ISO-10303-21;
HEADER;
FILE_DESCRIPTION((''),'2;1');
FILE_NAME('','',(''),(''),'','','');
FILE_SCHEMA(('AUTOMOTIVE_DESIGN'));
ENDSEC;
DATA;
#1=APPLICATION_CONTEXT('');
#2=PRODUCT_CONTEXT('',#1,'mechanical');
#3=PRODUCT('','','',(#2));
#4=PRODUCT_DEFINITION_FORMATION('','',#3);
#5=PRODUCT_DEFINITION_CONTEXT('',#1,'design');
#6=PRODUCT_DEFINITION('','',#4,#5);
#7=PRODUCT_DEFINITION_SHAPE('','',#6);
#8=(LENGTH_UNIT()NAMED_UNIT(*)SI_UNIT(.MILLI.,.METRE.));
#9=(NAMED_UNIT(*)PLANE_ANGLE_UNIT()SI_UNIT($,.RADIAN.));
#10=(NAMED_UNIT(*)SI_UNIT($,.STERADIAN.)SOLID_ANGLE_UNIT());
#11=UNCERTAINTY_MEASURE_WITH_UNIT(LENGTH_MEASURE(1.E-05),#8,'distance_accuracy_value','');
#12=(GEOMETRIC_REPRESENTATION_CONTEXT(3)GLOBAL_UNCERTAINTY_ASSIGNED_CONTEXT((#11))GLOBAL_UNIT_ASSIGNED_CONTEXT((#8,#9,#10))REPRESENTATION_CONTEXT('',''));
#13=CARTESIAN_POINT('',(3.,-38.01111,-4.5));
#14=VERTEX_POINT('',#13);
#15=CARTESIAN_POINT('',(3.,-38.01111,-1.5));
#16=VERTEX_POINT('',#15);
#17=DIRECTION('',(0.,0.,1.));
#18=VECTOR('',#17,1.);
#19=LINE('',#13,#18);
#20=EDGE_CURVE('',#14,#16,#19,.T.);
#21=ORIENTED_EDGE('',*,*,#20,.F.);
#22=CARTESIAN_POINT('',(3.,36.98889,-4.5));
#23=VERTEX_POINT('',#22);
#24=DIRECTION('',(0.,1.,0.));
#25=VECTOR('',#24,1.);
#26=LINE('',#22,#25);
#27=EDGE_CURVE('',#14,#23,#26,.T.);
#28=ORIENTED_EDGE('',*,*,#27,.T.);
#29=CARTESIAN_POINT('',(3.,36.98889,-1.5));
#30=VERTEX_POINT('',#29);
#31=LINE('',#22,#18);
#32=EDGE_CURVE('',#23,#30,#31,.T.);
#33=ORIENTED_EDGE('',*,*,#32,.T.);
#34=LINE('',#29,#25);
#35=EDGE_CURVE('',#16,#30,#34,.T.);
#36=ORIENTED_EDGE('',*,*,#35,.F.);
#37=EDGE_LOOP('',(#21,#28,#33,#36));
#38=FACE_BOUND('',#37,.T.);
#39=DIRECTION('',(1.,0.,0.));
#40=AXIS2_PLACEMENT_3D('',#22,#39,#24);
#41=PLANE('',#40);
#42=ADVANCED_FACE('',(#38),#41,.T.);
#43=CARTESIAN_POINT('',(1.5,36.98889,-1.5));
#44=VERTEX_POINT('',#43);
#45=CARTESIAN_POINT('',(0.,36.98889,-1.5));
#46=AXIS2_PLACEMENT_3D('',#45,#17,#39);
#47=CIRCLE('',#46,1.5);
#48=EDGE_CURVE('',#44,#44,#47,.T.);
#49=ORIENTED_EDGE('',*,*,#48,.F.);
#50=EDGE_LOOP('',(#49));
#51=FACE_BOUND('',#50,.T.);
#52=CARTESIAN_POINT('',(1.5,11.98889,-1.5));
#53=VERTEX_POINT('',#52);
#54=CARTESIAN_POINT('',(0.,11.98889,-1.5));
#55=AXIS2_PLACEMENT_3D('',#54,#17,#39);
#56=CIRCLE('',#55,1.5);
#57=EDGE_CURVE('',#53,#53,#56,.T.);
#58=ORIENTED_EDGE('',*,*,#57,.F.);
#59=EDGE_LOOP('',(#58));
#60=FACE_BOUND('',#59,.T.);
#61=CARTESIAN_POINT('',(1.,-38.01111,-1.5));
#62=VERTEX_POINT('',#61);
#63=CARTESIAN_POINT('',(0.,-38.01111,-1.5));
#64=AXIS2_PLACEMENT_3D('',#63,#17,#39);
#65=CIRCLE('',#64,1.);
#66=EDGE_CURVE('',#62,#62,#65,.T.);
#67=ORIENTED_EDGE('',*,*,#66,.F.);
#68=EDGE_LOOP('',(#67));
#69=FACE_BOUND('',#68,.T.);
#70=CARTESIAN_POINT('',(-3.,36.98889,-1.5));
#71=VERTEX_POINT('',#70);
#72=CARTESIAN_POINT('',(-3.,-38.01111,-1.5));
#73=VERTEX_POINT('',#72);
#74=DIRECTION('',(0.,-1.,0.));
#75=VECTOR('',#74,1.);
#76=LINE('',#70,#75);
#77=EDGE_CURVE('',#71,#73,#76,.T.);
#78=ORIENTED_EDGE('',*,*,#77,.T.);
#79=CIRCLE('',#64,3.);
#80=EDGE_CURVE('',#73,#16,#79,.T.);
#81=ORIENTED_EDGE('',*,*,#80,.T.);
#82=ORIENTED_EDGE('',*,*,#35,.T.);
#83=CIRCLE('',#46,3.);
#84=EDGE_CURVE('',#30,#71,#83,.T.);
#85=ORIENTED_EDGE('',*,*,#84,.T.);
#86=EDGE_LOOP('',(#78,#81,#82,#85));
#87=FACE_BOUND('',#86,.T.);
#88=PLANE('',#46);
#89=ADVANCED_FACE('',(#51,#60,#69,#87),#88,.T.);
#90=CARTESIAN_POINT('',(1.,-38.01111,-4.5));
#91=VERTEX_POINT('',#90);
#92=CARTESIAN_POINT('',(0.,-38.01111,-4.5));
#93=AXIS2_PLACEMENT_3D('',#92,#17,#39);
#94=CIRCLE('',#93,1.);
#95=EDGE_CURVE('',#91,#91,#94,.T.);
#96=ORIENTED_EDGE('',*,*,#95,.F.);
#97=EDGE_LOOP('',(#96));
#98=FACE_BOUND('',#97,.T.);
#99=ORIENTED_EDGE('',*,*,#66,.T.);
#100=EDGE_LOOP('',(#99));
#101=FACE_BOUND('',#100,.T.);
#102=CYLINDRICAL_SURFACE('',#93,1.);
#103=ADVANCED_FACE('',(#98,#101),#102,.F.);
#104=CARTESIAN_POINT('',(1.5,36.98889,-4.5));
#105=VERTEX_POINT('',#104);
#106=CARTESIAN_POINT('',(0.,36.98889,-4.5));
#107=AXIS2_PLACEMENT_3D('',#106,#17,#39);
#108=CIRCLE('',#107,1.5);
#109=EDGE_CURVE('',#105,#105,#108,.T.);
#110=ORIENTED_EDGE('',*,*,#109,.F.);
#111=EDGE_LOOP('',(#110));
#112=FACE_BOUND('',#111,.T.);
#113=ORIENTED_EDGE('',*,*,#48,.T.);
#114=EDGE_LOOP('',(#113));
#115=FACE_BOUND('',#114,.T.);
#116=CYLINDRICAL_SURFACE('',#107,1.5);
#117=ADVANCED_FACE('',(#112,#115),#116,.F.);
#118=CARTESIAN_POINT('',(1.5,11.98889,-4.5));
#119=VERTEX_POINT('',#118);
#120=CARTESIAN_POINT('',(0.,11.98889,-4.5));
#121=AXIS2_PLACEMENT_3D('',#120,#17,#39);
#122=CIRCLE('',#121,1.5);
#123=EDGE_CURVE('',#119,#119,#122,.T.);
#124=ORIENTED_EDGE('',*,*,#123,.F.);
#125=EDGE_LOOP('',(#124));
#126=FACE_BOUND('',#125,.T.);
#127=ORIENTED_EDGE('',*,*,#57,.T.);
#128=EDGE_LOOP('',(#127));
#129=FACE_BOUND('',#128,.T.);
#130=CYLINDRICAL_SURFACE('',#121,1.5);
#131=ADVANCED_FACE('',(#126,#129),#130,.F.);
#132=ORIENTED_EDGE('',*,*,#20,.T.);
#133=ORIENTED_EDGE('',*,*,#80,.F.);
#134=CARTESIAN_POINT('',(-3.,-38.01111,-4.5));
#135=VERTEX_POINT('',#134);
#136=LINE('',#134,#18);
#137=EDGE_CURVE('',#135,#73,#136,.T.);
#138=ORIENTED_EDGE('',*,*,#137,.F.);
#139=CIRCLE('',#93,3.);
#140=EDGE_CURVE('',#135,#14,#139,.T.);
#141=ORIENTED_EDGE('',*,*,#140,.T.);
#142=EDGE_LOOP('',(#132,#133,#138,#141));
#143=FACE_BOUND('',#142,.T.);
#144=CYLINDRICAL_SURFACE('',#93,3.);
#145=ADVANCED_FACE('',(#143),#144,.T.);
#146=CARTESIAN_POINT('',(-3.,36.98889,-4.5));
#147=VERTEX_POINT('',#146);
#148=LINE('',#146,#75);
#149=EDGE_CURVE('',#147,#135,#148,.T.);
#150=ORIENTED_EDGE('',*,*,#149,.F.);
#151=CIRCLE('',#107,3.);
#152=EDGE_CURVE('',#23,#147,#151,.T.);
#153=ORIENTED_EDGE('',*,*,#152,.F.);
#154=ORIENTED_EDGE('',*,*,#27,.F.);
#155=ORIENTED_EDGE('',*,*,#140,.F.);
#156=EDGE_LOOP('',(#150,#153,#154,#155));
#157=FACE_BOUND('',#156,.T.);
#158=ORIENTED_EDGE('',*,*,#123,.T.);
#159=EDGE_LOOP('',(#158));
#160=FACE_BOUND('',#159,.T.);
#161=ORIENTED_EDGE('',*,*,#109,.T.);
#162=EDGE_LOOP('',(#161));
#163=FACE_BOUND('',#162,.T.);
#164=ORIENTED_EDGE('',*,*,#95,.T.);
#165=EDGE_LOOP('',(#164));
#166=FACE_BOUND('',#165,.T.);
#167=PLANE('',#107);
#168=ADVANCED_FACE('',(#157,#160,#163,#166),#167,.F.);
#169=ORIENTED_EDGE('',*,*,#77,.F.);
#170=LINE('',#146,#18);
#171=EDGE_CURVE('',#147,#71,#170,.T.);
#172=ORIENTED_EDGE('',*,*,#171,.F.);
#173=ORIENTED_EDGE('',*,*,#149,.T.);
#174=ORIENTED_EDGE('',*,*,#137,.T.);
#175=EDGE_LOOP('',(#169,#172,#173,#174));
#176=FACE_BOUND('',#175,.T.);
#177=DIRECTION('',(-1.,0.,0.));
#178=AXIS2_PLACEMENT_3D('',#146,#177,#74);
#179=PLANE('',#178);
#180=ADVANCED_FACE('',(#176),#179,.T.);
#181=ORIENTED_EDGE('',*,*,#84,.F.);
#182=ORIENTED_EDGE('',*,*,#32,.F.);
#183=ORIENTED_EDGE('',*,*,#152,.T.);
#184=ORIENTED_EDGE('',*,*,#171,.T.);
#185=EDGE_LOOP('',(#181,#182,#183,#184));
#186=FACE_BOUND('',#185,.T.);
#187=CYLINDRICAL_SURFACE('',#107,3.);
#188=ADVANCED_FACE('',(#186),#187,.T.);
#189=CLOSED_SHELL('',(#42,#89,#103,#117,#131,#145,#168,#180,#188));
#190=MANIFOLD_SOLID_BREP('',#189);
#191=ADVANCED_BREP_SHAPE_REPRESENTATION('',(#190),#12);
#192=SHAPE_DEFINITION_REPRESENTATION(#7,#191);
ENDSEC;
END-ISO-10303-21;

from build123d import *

# Parameters (mm, degrees)
SKETCH2_R           = 3
SKETCH2_R_2         = 2
BOSS_EXTRUDE1_DEPTH = 6
SCALE1_SCALE        = 0.5


with BuildPart() as part:
    # Sketch2 → Boss-Extrude1 (new body)
    with BuildSketch(Plane.XY):
        with BuildLine():
            Line((6, 75), (6, -75))
            ThreePointArc((6, -75), (0, -81), (-6, -75))
            Line((-6, -75), (-6, 75))
            ThreePointArc((-6, 75), (0, 81), (6, 75))
        make_face()
        with Locations((0, 75)):
            Circle(SKETCH2_R, mode=Mode.SUBTRACT)
        with Locations((0, 25)):
            Circle(SKETCH2_R, mode=Mode.SUBTRACT)
        with Locations((0, -75)):
            Circle(SKETCH2_R_2, mode=Mode.SUBTRACT)
    extrude(amount=-BOSS_EXTRUDE1_DEPTH)


with BuildPart() as part_1:
    # Scale1: scaled about (0, -1.022220005, -3)
    add(part.part.scale(SCALE1_SCALE).moved(Location((0, -0.511110003, -1.5))))


solid = part_1.part
